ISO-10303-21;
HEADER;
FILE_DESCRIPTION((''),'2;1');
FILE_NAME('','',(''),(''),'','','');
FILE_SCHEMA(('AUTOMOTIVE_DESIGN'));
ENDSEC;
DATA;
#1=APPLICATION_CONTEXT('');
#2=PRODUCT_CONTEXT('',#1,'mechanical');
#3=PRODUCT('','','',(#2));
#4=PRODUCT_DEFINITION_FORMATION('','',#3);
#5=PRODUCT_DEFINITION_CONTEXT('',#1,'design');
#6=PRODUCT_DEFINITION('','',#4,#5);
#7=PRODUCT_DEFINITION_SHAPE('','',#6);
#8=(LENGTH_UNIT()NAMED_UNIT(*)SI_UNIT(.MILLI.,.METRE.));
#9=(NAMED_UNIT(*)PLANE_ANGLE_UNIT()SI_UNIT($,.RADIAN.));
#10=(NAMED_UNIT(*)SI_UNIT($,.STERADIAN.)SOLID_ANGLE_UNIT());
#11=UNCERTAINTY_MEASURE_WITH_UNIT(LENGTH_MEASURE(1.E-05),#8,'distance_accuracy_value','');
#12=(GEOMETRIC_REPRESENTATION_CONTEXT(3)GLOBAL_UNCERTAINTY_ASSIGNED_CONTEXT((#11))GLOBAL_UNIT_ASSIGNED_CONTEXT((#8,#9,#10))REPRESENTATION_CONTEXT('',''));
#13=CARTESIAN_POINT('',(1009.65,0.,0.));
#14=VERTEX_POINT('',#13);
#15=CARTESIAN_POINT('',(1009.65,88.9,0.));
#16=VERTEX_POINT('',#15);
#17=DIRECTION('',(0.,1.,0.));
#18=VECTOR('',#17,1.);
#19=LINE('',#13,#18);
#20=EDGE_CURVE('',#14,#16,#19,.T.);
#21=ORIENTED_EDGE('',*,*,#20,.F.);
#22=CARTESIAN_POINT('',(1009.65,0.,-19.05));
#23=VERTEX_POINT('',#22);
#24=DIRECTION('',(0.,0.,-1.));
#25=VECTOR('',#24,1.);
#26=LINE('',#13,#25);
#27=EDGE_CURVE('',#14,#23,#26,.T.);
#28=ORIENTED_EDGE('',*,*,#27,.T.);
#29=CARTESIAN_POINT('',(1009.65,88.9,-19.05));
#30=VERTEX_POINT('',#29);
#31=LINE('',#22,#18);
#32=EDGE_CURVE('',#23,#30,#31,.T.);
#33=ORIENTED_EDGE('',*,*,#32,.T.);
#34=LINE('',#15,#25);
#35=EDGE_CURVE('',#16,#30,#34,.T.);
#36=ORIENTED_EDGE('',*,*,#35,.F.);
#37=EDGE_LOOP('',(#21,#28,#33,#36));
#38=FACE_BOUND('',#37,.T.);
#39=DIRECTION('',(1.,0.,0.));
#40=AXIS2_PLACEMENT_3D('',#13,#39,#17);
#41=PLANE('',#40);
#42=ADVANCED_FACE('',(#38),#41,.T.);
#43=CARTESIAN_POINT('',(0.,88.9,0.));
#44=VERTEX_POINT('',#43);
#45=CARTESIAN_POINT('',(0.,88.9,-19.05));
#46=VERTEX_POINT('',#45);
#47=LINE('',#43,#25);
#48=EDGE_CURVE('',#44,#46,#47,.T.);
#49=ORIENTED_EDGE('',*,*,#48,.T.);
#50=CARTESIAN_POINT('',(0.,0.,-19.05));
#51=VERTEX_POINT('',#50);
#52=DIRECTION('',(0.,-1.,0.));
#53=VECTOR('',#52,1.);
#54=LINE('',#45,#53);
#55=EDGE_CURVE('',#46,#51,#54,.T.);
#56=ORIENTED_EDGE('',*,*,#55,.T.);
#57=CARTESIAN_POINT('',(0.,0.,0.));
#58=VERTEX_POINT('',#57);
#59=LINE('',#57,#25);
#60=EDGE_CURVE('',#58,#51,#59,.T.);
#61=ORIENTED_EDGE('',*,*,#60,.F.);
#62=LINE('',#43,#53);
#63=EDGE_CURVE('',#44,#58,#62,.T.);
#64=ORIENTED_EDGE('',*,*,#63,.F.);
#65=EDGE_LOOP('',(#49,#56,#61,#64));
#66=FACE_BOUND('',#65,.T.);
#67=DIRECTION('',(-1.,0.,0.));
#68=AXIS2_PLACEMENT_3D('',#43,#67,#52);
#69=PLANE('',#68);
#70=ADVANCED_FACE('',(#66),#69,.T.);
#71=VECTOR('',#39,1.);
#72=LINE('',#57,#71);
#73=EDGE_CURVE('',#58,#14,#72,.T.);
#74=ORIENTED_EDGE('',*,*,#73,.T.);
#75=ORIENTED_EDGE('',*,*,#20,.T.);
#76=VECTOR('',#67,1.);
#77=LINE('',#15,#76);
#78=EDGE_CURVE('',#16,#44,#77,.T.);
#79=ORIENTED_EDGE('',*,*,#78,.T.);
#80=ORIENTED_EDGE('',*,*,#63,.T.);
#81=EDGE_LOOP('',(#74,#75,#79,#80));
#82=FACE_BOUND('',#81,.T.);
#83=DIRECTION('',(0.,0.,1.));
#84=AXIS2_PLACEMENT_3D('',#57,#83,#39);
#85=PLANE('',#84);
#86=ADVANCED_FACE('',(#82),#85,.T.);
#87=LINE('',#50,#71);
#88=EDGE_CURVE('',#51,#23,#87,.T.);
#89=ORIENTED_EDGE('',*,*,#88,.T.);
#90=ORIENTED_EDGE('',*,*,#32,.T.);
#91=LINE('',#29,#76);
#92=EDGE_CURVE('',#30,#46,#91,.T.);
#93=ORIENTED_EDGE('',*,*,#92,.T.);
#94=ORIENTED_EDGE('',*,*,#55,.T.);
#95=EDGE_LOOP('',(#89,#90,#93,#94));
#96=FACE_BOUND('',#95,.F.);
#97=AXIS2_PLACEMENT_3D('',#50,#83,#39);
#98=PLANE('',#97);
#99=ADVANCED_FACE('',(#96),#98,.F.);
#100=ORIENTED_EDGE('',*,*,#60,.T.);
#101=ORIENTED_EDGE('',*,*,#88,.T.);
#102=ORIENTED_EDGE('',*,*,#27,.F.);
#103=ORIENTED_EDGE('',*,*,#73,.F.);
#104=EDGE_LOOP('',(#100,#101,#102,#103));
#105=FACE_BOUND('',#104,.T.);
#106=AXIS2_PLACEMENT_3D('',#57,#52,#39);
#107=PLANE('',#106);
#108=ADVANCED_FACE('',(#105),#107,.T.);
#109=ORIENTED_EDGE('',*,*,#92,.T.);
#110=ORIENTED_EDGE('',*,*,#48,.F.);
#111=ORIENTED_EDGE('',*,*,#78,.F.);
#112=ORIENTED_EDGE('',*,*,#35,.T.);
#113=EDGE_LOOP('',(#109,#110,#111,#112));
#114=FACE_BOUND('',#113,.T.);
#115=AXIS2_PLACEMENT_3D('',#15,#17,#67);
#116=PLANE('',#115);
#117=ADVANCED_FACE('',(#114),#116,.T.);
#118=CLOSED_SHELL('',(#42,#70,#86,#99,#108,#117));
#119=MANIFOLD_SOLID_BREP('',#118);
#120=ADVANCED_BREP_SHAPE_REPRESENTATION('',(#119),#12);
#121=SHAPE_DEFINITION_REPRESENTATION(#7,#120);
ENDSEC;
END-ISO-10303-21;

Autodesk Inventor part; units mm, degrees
ref_plane "YZ Plane" through (0, 0, 0) normal (1, 0, 0) x (0, 1, 0)
ref_plane "XZ Plane" through (0, 0, 0) normal (0, 1, 0) x (-1, 0, 0)
ref_plane "XY Plane" through (0, 0, 0) normal (0, 0, 1) x (1, 0, 0)
sketch "Sketch1" plane through (0, 0, 0) normal (0, 0, 1) x (1, 0, 0)
  line L0 (0, 0) -> (1009.65, 0)
  line L1 (1009.65, 0) -> (1009.65, 88.9)
  line L2 (1009.65, 88.9) -> (0, 88.9)
  line L3 (0, 88.9) -> (0, 0)
  dimension "d0" = 1009.65
  dimension "d1" = 88.9
extrude "Extrusion1" add sketch "Sketch1" against normal blind 19.05
properties part number "Long-Brace"
